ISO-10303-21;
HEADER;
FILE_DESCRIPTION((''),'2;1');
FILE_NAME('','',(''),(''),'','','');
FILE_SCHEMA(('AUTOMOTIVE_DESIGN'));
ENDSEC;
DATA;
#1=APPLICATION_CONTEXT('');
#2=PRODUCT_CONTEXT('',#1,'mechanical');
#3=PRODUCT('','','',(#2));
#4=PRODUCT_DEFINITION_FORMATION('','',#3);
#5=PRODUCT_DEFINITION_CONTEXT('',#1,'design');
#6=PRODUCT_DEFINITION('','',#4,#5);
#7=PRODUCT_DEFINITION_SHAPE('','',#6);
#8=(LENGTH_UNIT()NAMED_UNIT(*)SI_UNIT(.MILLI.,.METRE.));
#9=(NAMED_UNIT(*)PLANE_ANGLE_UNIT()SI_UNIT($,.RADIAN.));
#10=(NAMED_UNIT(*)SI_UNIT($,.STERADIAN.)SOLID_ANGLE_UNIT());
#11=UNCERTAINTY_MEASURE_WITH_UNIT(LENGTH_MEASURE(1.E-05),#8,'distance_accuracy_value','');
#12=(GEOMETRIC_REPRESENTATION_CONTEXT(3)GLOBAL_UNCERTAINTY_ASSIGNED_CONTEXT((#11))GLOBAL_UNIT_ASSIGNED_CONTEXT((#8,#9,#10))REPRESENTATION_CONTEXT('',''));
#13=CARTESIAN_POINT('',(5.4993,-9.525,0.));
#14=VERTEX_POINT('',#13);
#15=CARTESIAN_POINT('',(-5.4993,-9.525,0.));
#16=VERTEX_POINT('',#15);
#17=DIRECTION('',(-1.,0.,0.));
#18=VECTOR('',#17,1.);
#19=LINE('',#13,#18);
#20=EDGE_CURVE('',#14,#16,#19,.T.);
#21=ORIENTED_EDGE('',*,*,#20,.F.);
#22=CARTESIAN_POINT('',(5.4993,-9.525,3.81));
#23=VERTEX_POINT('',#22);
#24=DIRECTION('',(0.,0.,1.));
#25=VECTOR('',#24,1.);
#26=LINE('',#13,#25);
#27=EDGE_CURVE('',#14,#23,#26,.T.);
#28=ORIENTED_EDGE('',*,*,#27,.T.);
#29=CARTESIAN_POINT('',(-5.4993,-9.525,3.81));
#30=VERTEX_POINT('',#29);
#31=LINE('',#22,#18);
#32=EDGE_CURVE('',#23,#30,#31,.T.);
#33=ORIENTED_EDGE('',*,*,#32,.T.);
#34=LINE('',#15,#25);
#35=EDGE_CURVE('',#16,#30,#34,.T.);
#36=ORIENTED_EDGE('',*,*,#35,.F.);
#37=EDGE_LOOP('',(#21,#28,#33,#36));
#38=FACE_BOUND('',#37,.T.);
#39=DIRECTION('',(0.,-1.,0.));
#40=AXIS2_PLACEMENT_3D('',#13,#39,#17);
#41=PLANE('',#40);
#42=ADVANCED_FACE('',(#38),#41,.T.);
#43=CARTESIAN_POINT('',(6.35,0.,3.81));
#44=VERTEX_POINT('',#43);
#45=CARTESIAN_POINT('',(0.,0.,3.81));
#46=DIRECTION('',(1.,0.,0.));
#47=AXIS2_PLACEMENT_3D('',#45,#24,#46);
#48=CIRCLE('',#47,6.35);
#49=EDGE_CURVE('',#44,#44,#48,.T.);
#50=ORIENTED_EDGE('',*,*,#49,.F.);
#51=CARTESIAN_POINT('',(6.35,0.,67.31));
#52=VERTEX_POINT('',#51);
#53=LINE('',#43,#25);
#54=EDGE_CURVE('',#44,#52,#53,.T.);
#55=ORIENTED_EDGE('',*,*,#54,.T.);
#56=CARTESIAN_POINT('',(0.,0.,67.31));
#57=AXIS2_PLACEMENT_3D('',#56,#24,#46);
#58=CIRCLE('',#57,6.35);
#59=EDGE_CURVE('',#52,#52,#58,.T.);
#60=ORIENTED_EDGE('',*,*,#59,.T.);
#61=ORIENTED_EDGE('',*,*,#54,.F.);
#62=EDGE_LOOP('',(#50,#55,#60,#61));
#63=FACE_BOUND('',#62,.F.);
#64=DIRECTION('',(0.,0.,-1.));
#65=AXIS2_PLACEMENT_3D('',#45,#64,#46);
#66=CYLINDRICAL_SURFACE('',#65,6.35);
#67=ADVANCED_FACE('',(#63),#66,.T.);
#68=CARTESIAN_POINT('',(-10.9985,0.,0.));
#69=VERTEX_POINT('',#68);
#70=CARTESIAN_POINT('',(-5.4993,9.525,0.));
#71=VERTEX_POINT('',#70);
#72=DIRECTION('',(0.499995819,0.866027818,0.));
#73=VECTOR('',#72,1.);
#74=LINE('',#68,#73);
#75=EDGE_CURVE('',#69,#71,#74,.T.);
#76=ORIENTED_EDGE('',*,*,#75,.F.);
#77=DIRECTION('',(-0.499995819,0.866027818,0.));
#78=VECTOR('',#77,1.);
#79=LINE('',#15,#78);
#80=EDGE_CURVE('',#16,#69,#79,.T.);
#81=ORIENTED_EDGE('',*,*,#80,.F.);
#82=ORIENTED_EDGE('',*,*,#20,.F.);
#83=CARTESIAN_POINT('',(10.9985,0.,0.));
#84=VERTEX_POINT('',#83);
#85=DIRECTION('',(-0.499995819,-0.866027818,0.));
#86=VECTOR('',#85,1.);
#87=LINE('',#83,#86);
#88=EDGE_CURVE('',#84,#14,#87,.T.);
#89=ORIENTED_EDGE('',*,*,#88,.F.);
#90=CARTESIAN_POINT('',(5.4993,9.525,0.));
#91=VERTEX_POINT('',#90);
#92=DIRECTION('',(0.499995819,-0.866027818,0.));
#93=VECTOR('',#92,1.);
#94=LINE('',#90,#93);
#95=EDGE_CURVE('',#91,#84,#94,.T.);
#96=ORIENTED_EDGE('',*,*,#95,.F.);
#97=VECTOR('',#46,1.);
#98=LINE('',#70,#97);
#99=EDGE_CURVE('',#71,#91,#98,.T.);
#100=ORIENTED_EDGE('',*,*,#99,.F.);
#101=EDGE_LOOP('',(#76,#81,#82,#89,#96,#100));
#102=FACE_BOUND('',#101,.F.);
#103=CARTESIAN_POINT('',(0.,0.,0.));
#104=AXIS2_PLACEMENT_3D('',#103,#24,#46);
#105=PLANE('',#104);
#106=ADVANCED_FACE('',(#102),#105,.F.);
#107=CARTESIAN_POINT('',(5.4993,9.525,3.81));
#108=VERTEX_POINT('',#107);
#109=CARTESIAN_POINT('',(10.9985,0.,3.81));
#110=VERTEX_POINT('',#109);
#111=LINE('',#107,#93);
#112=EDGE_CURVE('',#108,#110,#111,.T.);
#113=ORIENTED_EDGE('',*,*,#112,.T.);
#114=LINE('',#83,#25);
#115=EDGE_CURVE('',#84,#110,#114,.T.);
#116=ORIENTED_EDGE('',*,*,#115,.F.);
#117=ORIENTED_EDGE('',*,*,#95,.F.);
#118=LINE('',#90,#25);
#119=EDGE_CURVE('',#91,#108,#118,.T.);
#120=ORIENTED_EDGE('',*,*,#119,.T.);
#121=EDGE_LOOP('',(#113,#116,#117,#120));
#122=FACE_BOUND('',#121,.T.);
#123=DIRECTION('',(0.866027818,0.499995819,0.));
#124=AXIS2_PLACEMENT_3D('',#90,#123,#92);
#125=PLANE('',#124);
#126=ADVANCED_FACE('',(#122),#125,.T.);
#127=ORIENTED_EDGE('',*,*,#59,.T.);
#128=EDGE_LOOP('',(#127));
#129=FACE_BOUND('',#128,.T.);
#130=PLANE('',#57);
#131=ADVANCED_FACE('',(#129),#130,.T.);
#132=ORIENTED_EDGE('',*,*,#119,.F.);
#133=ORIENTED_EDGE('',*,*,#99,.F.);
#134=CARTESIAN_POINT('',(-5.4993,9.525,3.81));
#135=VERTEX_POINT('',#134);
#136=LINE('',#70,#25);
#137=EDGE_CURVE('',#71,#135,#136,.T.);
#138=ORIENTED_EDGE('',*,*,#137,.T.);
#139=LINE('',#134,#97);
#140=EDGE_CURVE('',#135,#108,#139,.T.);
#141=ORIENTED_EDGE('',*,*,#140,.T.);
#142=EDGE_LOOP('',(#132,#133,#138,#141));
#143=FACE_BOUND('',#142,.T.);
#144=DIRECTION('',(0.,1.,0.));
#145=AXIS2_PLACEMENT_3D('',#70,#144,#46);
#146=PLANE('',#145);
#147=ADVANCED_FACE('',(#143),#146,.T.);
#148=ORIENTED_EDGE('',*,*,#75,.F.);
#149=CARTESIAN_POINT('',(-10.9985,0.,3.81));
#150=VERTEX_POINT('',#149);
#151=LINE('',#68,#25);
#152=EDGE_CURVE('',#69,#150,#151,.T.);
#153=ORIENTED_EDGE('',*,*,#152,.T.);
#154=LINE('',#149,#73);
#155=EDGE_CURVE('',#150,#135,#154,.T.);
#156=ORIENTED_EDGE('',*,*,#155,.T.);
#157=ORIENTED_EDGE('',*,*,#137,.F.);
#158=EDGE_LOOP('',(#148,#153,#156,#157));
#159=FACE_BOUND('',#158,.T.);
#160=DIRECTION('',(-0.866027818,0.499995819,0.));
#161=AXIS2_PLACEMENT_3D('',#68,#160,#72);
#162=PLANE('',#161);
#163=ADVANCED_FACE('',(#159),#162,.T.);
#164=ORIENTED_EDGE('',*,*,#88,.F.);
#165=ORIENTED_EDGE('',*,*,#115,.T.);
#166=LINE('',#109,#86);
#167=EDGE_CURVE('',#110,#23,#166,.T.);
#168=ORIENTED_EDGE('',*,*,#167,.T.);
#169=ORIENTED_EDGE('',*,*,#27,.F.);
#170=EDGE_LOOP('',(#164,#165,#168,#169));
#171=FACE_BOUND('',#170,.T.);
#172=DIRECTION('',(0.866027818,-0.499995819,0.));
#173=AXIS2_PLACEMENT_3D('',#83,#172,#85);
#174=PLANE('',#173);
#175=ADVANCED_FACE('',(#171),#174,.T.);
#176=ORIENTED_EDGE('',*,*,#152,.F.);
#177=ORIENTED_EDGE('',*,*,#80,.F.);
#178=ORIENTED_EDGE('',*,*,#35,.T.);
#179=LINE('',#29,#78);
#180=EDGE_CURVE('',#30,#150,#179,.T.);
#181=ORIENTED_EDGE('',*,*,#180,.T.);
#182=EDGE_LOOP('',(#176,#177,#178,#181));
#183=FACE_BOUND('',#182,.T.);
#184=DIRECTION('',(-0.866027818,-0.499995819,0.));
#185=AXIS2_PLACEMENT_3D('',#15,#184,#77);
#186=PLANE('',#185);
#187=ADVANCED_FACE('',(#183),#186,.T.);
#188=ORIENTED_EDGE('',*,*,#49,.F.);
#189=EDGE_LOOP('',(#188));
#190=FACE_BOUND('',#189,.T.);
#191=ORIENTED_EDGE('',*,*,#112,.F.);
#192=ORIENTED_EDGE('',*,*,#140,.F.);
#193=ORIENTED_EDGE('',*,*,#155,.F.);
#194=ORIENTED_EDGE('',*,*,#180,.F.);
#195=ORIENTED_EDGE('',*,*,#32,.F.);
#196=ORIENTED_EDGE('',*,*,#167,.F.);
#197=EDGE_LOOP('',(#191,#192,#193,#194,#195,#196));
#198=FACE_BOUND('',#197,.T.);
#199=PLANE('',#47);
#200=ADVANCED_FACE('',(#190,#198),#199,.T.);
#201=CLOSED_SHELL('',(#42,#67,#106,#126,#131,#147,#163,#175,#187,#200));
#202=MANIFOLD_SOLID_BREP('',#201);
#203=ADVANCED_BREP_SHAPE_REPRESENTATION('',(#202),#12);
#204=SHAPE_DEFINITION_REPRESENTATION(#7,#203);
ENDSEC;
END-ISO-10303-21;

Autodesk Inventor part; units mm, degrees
ref_plane "YZ Plane" through (0, 0, 0) normal (1, 0, 0) x (0, 1, 0)
ref_plane "XZ Plane" through (0, 0, 0) normal (0, 1, 0) x (-1, 0, 0)
ref_plane "XY Plane" through (0, 0, 0) normal (0, 0, 1) x (1, 0, 0)
sketch "Sketch1" plane through (0, 0, 0) normal (0, 0, 1) x (1, 0, 0)
  line L0 (-10.9985, 0) -> (-5.4993, 9.525)
  line L1 (-5.4993, 9.525) -> (5.4993, 9.525)
  line L2 (5.4993, 9.525) -> (10.9985, 0)
  line L3 (10.9985, 0) -> (5.4993, -9.525)
  line L4 (5.4993, -9.525) -> (-5.4993, -9.525)
  line L5 (-5.4993, -9.525) -> (-10.9985, 0)
  point P0 (0, 0)
  point P1 (0, 0)
  dimension "d0" = 19.05
extrude "Extrusion1" add sketch "Sketch1" along normal blind 3.81
sketch "Sketch2" plane through (0, 0, 3.81) normal (0, 0, 1) x (1, 0, 0)
  circle A0 centre (0, 0) radius 6.35
  dimension "d3" = 12.7
extrude "Extrusion2" add sketch "Sketch2" along normal blind 63.5
thread "Thread1" size "1/2-13 UNC" class "2A" standard "ANSI Unified Screw Threads" full length
properties part number "LucasCharles Part 4 bolt to hold arm to wall mount Final" material "Stainless Steel, Austenitic"
